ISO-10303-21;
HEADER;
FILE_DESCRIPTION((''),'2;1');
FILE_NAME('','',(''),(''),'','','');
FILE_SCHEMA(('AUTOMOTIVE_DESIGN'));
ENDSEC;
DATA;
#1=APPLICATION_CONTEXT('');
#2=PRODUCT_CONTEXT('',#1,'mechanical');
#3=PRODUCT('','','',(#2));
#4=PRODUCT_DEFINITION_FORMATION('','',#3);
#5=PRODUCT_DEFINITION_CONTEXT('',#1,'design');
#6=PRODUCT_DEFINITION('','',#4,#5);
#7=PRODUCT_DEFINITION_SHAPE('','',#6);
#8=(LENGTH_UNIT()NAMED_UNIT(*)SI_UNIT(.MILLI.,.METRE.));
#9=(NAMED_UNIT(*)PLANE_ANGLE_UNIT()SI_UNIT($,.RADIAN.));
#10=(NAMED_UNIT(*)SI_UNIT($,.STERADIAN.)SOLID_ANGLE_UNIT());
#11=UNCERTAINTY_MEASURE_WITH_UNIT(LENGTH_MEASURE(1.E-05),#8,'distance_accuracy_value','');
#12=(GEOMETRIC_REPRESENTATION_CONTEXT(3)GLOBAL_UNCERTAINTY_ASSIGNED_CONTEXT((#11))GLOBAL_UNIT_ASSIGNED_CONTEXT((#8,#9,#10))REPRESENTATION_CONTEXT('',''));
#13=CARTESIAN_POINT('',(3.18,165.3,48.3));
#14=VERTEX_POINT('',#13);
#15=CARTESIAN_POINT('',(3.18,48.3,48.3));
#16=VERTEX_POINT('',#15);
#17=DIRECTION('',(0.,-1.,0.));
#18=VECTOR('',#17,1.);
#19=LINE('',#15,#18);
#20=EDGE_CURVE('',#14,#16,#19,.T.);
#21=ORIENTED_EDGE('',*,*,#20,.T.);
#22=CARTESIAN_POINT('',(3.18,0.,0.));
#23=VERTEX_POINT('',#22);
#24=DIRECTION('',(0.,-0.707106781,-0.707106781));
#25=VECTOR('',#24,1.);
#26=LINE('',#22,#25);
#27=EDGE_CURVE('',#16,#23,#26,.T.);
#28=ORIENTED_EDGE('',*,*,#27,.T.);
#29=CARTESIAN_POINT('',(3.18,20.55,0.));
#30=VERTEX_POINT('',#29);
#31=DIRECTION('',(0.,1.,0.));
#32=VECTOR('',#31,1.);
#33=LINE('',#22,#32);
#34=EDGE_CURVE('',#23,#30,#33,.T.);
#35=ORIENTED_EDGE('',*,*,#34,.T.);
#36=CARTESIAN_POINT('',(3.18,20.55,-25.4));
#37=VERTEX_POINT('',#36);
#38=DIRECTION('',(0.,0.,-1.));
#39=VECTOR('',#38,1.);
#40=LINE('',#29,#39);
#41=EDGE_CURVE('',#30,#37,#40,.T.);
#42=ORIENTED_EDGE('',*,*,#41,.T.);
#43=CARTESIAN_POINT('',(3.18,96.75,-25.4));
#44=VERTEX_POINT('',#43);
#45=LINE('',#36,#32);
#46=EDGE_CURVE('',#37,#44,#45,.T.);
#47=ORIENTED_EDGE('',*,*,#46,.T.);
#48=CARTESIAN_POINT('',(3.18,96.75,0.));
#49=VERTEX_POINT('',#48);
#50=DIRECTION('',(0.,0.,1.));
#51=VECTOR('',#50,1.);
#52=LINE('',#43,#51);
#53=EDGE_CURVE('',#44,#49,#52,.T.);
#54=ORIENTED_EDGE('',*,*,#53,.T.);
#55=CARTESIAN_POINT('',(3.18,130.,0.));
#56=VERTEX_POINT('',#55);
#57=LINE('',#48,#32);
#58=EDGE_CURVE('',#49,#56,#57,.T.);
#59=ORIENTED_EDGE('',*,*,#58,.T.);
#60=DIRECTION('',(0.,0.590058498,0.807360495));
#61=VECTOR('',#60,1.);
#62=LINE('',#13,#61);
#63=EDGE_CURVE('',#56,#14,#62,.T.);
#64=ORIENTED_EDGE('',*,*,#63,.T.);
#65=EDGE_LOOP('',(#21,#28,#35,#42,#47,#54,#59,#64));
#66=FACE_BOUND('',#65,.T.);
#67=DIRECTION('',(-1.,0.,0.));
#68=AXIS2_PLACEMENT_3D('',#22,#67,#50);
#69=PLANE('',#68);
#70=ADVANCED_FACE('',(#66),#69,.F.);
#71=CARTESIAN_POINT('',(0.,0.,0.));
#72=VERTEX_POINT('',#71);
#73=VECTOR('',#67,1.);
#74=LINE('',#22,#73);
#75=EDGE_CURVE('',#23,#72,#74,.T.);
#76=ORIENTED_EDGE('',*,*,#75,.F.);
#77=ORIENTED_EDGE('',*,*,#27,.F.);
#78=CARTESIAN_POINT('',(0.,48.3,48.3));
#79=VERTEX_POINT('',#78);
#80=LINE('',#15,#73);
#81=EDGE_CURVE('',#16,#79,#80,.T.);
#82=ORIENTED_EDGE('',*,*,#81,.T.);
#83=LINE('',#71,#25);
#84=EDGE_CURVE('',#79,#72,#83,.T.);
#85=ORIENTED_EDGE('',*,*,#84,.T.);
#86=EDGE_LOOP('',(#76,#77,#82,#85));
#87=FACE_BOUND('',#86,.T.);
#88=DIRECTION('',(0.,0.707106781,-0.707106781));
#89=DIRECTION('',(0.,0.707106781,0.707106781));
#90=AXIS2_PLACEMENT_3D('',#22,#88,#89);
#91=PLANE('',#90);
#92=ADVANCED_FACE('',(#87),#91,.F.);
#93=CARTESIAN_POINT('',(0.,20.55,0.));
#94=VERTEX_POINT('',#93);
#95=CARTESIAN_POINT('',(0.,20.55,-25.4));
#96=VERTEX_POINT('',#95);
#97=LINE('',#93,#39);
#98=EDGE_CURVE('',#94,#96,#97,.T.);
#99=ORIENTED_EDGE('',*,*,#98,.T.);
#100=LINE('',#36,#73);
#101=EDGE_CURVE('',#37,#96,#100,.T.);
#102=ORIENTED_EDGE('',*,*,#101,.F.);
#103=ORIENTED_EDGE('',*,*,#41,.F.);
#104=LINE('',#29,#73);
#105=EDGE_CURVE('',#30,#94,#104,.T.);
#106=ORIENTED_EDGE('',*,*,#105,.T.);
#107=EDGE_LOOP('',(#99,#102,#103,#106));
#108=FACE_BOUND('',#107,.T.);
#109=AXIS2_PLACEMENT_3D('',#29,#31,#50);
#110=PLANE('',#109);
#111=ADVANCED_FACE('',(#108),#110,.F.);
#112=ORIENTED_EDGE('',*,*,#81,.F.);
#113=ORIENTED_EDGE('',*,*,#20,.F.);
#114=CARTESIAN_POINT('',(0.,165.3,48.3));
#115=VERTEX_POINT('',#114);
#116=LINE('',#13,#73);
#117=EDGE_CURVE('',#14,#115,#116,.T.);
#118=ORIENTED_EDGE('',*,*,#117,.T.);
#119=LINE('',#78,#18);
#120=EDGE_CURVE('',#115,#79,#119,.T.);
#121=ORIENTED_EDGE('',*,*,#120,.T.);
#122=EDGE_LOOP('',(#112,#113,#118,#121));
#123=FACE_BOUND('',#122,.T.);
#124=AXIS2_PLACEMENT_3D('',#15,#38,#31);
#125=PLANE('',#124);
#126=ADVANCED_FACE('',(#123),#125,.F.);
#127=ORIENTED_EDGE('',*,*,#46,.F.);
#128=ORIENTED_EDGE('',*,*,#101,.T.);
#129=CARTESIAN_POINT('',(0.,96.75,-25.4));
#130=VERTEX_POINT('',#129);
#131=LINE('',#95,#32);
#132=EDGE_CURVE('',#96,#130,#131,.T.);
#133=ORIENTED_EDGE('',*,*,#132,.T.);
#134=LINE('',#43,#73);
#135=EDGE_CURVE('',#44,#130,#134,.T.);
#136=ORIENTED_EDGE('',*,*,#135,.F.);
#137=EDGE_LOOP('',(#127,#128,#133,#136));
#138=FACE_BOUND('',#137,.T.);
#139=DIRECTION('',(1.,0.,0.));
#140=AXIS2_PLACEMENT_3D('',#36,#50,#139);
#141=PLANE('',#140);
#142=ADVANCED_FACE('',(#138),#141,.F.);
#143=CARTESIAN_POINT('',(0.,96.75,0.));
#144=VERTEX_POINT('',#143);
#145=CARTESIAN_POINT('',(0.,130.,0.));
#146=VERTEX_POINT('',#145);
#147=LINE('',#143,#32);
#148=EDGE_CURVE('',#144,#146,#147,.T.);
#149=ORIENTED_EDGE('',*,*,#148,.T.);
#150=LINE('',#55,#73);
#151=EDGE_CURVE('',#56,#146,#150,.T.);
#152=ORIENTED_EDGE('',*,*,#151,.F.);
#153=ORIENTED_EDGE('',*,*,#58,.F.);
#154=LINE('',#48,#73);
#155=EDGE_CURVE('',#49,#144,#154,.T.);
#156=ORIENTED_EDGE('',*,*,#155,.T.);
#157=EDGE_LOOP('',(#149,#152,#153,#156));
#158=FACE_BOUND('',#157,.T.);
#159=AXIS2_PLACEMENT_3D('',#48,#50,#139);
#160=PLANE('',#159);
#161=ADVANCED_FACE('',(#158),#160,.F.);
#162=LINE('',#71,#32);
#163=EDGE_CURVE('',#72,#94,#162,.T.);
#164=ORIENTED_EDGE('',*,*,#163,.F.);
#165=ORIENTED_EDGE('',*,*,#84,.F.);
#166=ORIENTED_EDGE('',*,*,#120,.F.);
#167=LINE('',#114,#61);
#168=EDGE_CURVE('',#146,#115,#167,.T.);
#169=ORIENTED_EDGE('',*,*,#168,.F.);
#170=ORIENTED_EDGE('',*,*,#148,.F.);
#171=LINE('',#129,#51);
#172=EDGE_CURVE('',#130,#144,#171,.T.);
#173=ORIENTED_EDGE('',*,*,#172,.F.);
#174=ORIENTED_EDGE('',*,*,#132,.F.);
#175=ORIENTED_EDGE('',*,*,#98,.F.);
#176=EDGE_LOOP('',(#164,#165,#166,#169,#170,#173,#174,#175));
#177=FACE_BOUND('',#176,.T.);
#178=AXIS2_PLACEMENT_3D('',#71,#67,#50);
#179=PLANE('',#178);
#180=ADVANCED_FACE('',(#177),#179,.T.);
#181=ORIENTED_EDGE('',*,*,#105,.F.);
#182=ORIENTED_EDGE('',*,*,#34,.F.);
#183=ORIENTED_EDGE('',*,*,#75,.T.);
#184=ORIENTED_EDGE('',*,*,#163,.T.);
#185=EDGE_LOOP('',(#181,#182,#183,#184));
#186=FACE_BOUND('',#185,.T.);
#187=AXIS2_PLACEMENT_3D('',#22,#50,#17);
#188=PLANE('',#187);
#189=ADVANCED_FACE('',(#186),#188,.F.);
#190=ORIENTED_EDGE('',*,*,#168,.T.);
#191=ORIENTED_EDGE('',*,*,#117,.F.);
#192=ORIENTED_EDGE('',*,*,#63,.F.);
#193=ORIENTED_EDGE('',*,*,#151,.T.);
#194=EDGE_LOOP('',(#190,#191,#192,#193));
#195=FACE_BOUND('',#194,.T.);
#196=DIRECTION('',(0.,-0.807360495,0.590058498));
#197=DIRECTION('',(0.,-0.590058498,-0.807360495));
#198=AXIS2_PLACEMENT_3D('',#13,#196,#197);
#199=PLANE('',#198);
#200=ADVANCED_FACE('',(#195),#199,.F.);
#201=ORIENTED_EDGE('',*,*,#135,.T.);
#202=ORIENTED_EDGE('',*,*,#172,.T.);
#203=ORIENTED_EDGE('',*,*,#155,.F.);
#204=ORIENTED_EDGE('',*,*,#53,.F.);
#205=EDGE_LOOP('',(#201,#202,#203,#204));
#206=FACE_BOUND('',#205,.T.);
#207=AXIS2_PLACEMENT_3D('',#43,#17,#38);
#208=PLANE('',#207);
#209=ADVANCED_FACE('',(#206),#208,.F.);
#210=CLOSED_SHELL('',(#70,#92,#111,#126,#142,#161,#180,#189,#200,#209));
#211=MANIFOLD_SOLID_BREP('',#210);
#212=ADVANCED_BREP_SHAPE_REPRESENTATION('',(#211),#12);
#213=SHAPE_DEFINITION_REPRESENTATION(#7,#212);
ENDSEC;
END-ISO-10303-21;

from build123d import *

# Parameters (mm, degrees)
BOSS_EXTRUDE1_DEPTH = 3.18


with BuildPart() as part:
    # Sketch2 → Boss-Extrude1 (new body)
    with BuildSketch(Plane.YZ):
        Polygon((0, 0), (48.3, 48.3), (165.3, 48.3), (130, 0), (96.75, 0), (96.75, -25.4), (20.55, -25.4), (20.55, 0), align=None)
    extrude(amount=BOSS_EXTRUDE1_DEPTH)


solid = part.part
